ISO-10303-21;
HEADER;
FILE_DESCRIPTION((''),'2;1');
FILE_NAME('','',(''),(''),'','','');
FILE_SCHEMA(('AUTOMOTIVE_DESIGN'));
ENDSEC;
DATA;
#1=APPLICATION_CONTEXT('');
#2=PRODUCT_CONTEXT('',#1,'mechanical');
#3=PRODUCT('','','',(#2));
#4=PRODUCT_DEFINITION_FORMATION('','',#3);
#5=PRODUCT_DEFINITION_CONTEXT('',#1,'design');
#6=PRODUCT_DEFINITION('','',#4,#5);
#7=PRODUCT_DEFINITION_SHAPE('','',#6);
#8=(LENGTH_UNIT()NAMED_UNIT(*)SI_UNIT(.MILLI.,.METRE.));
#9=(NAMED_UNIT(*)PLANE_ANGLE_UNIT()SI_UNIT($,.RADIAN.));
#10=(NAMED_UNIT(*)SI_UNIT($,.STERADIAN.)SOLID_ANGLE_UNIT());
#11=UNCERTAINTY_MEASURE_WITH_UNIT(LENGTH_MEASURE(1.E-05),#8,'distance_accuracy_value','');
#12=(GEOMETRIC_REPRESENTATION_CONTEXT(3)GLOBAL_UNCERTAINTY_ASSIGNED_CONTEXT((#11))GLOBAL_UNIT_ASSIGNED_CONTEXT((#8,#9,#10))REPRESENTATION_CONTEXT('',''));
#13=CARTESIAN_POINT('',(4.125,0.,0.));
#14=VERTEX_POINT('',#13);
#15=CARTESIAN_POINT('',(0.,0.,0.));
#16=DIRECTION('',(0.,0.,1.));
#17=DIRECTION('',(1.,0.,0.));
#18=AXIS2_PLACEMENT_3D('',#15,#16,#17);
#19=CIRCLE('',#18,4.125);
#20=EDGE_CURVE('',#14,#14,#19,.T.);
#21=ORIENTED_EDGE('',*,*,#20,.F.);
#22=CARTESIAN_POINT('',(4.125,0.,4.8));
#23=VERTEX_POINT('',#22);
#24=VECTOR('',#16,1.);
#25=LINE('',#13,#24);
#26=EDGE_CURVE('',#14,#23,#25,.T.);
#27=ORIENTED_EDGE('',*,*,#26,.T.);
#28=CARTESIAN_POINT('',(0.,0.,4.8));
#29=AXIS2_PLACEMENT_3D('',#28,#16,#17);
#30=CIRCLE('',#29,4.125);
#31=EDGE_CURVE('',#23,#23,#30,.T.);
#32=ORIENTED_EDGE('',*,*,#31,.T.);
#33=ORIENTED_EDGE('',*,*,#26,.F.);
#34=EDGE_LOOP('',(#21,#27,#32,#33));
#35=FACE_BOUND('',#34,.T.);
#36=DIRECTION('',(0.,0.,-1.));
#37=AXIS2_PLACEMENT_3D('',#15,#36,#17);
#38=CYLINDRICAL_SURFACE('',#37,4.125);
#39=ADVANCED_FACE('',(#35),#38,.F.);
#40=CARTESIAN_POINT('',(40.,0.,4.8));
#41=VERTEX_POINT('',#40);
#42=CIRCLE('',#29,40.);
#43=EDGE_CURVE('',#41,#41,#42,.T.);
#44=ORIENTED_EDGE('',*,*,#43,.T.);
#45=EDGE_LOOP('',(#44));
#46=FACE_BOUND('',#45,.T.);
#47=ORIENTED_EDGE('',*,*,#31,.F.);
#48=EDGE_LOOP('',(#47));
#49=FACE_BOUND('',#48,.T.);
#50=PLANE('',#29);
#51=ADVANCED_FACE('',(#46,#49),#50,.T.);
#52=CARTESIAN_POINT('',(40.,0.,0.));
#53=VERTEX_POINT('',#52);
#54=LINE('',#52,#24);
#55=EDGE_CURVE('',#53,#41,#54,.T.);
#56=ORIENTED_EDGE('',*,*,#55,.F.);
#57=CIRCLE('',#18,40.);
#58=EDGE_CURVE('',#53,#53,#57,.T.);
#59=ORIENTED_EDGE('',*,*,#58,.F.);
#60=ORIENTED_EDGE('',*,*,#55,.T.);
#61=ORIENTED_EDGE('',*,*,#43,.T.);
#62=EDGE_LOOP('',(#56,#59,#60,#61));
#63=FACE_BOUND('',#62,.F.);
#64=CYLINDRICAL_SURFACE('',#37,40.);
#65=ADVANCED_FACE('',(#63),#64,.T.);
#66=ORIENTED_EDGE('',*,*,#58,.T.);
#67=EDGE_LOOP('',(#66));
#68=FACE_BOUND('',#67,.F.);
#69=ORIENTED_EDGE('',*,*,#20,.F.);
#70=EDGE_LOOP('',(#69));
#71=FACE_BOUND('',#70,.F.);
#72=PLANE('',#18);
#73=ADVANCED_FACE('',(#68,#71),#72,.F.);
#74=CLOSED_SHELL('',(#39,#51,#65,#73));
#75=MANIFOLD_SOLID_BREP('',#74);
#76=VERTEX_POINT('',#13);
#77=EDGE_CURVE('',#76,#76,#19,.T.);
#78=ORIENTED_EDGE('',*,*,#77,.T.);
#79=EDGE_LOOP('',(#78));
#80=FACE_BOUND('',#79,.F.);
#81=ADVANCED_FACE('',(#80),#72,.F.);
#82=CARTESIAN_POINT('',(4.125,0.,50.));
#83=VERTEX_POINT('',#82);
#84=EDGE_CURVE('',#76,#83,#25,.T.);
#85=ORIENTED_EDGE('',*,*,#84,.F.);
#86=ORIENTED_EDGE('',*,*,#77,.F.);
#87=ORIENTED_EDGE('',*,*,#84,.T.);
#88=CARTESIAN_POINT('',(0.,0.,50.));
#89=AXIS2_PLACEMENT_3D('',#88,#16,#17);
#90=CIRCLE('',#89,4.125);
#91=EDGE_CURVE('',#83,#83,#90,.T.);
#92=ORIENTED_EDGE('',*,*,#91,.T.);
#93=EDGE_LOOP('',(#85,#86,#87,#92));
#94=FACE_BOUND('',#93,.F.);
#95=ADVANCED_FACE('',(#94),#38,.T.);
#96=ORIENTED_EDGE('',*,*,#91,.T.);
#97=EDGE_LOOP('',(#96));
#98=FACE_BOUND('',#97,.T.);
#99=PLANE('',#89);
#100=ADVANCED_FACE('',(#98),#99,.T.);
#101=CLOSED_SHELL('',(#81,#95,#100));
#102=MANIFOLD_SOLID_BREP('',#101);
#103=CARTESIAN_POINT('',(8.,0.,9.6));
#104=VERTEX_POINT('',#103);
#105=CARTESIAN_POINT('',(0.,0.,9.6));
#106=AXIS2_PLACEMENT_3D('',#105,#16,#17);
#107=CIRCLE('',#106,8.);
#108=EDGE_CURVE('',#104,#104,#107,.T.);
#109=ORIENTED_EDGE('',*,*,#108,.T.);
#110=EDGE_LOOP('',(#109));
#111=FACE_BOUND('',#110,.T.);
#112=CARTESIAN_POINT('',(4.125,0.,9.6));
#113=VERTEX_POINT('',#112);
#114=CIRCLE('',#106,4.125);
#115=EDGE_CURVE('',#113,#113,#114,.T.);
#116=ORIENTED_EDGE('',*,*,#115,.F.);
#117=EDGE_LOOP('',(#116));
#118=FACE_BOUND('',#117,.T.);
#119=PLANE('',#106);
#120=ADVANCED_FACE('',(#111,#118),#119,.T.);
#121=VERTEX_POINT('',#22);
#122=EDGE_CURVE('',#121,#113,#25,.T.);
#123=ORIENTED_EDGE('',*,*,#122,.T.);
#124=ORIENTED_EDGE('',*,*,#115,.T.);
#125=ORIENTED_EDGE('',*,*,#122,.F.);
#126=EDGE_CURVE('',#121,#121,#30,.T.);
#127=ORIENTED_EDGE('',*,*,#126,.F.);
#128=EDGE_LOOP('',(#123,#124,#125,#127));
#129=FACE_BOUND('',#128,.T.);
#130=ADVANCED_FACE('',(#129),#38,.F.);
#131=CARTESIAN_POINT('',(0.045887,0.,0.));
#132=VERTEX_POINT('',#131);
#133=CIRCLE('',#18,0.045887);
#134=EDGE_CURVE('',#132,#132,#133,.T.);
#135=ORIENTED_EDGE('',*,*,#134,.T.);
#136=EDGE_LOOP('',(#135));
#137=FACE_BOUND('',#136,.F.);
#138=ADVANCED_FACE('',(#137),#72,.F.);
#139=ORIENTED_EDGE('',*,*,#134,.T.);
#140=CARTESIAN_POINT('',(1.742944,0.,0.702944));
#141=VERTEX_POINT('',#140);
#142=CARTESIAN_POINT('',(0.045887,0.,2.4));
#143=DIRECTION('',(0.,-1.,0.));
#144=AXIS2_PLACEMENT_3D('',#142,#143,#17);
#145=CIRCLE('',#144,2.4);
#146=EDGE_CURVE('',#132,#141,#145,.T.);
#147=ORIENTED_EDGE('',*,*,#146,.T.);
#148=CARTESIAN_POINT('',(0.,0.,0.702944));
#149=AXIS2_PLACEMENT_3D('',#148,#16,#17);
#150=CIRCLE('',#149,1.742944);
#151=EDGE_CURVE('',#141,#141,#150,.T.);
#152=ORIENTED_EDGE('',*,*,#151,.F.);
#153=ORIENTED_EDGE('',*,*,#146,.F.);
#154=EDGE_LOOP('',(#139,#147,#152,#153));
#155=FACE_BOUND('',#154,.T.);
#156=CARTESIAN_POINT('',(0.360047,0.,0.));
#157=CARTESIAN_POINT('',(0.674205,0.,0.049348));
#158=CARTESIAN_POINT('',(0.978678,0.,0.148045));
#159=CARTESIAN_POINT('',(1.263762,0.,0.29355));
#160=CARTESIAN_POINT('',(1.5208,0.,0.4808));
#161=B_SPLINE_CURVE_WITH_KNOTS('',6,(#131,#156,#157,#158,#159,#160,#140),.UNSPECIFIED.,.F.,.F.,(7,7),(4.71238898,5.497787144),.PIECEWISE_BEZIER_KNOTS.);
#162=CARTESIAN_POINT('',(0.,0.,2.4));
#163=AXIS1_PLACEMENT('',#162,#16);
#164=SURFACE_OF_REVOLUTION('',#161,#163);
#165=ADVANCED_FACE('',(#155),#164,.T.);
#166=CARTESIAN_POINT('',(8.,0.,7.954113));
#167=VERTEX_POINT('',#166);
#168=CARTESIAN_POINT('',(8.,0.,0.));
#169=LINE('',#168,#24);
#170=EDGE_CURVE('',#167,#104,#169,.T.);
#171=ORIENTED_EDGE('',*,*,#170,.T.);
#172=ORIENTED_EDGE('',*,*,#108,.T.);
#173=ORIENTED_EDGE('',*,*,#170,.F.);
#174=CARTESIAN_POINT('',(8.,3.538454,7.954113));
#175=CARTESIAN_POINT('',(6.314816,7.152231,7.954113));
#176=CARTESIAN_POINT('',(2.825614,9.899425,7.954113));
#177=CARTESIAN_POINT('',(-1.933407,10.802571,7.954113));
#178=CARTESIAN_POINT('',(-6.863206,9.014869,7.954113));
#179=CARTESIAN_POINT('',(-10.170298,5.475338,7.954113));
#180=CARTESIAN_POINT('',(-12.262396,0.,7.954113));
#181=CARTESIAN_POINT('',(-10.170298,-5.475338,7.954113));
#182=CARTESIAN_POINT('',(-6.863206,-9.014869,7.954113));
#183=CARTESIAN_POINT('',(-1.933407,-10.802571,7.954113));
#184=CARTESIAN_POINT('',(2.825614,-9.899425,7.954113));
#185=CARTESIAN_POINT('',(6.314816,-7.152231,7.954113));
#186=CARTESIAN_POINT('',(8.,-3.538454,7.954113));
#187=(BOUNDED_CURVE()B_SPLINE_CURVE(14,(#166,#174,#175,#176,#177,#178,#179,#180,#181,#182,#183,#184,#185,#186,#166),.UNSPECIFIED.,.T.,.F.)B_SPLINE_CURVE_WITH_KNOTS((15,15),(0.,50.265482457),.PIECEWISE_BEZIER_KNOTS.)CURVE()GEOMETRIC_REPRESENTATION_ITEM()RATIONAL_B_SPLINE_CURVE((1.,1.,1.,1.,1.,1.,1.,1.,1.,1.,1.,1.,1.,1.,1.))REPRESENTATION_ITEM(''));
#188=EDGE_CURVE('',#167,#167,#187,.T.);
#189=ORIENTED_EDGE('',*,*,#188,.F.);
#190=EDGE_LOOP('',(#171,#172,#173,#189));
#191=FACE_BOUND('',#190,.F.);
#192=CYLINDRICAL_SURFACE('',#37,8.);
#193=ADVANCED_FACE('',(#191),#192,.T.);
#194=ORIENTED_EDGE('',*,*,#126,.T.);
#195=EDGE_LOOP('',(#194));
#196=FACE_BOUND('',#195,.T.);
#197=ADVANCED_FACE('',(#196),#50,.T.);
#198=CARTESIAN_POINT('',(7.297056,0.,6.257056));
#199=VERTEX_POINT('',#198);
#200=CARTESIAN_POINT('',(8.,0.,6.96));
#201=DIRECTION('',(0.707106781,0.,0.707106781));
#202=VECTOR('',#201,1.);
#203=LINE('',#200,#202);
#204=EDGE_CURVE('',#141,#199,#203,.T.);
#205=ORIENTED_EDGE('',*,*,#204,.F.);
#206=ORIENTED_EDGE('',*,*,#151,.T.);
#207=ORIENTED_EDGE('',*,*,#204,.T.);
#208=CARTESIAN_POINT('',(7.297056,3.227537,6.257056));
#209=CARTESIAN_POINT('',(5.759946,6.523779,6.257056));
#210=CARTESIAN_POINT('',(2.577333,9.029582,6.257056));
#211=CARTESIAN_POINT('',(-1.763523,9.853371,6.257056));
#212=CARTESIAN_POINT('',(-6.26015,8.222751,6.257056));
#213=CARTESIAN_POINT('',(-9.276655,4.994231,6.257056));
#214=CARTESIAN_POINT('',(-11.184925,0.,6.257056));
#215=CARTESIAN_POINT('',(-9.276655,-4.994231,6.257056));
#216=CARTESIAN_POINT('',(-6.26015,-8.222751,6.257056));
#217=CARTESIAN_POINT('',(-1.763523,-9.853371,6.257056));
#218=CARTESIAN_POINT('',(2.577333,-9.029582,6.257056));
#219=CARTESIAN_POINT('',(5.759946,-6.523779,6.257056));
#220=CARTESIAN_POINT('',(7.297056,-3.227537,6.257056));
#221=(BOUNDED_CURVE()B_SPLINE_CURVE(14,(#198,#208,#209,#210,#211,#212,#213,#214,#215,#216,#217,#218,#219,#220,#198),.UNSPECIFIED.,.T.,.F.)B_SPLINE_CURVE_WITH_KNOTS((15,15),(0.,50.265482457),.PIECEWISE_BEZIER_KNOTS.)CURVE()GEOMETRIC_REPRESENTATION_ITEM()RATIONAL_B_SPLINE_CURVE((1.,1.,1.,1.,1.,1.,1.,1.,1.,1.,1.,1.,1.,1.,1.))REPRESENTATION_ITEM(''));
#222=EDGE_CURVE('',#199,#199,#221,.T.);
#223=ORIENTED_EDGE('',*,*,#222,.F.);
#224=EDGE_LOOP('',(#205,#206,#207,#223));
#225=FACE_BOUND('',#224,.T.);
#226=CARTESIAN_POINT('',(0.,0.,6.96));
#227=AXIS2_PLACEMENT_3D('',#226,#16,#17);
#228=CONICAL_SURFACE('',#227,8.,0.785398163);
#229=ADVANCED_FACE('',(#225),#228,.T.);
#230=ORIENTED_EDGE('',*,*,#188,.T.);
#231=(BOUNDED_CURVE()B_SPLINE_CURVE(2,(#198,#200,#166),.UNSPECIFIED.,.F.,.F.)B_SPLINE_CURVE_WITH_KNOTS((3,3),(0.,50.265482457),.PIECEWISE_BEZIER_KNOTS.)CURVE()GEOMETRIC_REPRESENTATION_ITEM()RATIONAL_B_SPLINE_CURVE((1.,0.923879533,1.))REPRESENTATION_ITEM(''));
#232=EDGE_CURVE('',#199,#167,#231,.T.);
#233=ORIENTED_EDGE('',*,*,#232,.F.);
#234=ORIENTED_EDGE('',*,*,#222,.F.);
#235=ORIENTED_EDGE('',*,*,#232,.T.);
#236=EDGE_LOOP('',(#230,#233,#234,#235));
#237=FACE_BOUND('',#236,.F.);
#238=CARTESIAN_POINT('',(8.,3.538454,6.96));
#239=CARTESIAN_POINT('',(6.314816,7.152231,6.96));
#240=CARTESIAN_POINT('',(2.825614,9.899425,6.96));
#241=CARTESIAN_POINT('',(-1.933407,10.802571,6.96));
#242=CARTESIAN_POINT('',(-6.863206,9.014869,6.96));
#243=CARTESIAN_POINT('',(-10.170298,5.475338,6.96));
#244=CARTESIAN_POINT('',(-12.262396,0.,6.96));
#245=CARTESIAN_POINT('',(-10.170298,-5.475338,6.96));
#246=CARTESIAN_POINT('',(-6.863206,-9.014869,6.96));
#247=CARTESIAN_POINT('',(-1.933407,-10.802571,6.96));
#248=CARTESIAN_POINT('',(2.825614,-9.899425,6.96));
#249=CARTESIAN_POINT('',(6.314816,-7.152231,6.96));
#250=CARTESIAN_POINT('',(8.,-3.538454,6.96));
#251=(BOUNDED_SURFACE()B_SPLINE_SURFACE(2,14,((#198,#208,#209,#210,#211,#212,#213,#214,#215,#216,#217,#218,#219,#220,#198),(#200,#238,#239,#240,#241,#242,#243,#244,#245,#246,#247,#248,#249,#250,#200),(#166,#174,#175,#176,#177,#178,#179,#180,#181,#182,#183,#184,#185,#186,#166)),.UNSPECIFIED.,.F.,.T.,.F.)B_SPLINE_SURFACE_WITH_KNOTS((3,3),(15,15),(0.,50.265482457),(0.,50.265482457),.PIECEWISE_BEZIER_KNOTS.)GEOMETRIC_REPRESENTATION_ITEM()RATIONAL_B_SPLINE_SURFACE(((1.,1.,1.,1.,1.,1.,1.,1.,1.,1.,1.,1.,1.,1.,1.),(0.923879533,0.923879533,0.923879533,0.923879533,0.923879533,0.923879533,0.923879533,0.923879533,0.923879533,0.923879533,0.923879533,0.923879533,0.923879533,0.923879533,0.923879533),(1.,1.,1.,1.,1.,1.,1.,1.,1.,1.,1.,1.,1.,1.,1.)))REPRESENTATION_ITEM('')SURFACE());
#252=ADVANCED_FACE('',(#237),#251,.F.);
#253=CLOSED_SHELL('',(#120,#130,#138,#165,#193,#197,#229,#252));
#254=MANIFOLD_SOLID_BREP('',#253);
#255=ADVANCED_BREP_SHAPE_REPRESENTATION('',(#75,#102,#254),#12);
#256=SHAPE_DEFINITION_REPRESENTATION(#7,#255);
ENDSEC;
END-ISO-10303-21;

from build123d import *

# Parameters (mm, degrees)
F2_R     = 8
F2_R_2   = 4.125
F3_DEPTH = 9.6
F4_DEPTH = 4.8
F5_SIZE  = 6.96
F6_R     = 2.4
F2_R_3   = 40
F7_DEPTH = 4.8
F8_DEPTH = 50


with BuildPart() as f3:
    # F2 (on Top) → F3 (new body)
    with BuildSketch(Plane.XY):
        Circle(F2_R)
        Circle(F2_R_2, mode=Mode.SUBTRACT)
    extrude(amount=F3_DEPTH)

    # F2 (on Top) → F4 (join)
    with BuildSketch(Plane.XY):
        Circle(F2_R_2)
    extrude(amount=F4_DEPTH)

    # F5
    f5_edges = [f3.edges().sort_by_distance(p)[0] for p in [
        (-8, 0, 0),
    ]]
    chamfer(f5_edges, length=F5_SIZE)

    # F6
    f6_edges = [f3.edges().sort_by_distance(p)[0] for p in [
        (-8, 0, 6.96),
        (-1.04, 0, 0),
    ]]
    fillet(f6_edges, radius=F6_R)


with BuildPart() as f7:
    # F2 (on Top) → F7 (new body)
    with BuildSketch(Plane.XY):
        Circle(F2_R_3)
        Circle(F2_R, mode=Mode.SUBTRACT)
        Circle(F2_R)
        Circle(F2_R_2, mode=Mode.SUBTRACT)
    extrude(amount=F7_DEPTH)


with BuildPart() as f8:
    # F2 (on Top) → F8 (new body)
    with BuildSketch(Plane.XY):
        Circle(F2_R_2)
    extrude(amount=F8_DEPTH)


solid = Compound([f3.part, f7.part, f8.part])
